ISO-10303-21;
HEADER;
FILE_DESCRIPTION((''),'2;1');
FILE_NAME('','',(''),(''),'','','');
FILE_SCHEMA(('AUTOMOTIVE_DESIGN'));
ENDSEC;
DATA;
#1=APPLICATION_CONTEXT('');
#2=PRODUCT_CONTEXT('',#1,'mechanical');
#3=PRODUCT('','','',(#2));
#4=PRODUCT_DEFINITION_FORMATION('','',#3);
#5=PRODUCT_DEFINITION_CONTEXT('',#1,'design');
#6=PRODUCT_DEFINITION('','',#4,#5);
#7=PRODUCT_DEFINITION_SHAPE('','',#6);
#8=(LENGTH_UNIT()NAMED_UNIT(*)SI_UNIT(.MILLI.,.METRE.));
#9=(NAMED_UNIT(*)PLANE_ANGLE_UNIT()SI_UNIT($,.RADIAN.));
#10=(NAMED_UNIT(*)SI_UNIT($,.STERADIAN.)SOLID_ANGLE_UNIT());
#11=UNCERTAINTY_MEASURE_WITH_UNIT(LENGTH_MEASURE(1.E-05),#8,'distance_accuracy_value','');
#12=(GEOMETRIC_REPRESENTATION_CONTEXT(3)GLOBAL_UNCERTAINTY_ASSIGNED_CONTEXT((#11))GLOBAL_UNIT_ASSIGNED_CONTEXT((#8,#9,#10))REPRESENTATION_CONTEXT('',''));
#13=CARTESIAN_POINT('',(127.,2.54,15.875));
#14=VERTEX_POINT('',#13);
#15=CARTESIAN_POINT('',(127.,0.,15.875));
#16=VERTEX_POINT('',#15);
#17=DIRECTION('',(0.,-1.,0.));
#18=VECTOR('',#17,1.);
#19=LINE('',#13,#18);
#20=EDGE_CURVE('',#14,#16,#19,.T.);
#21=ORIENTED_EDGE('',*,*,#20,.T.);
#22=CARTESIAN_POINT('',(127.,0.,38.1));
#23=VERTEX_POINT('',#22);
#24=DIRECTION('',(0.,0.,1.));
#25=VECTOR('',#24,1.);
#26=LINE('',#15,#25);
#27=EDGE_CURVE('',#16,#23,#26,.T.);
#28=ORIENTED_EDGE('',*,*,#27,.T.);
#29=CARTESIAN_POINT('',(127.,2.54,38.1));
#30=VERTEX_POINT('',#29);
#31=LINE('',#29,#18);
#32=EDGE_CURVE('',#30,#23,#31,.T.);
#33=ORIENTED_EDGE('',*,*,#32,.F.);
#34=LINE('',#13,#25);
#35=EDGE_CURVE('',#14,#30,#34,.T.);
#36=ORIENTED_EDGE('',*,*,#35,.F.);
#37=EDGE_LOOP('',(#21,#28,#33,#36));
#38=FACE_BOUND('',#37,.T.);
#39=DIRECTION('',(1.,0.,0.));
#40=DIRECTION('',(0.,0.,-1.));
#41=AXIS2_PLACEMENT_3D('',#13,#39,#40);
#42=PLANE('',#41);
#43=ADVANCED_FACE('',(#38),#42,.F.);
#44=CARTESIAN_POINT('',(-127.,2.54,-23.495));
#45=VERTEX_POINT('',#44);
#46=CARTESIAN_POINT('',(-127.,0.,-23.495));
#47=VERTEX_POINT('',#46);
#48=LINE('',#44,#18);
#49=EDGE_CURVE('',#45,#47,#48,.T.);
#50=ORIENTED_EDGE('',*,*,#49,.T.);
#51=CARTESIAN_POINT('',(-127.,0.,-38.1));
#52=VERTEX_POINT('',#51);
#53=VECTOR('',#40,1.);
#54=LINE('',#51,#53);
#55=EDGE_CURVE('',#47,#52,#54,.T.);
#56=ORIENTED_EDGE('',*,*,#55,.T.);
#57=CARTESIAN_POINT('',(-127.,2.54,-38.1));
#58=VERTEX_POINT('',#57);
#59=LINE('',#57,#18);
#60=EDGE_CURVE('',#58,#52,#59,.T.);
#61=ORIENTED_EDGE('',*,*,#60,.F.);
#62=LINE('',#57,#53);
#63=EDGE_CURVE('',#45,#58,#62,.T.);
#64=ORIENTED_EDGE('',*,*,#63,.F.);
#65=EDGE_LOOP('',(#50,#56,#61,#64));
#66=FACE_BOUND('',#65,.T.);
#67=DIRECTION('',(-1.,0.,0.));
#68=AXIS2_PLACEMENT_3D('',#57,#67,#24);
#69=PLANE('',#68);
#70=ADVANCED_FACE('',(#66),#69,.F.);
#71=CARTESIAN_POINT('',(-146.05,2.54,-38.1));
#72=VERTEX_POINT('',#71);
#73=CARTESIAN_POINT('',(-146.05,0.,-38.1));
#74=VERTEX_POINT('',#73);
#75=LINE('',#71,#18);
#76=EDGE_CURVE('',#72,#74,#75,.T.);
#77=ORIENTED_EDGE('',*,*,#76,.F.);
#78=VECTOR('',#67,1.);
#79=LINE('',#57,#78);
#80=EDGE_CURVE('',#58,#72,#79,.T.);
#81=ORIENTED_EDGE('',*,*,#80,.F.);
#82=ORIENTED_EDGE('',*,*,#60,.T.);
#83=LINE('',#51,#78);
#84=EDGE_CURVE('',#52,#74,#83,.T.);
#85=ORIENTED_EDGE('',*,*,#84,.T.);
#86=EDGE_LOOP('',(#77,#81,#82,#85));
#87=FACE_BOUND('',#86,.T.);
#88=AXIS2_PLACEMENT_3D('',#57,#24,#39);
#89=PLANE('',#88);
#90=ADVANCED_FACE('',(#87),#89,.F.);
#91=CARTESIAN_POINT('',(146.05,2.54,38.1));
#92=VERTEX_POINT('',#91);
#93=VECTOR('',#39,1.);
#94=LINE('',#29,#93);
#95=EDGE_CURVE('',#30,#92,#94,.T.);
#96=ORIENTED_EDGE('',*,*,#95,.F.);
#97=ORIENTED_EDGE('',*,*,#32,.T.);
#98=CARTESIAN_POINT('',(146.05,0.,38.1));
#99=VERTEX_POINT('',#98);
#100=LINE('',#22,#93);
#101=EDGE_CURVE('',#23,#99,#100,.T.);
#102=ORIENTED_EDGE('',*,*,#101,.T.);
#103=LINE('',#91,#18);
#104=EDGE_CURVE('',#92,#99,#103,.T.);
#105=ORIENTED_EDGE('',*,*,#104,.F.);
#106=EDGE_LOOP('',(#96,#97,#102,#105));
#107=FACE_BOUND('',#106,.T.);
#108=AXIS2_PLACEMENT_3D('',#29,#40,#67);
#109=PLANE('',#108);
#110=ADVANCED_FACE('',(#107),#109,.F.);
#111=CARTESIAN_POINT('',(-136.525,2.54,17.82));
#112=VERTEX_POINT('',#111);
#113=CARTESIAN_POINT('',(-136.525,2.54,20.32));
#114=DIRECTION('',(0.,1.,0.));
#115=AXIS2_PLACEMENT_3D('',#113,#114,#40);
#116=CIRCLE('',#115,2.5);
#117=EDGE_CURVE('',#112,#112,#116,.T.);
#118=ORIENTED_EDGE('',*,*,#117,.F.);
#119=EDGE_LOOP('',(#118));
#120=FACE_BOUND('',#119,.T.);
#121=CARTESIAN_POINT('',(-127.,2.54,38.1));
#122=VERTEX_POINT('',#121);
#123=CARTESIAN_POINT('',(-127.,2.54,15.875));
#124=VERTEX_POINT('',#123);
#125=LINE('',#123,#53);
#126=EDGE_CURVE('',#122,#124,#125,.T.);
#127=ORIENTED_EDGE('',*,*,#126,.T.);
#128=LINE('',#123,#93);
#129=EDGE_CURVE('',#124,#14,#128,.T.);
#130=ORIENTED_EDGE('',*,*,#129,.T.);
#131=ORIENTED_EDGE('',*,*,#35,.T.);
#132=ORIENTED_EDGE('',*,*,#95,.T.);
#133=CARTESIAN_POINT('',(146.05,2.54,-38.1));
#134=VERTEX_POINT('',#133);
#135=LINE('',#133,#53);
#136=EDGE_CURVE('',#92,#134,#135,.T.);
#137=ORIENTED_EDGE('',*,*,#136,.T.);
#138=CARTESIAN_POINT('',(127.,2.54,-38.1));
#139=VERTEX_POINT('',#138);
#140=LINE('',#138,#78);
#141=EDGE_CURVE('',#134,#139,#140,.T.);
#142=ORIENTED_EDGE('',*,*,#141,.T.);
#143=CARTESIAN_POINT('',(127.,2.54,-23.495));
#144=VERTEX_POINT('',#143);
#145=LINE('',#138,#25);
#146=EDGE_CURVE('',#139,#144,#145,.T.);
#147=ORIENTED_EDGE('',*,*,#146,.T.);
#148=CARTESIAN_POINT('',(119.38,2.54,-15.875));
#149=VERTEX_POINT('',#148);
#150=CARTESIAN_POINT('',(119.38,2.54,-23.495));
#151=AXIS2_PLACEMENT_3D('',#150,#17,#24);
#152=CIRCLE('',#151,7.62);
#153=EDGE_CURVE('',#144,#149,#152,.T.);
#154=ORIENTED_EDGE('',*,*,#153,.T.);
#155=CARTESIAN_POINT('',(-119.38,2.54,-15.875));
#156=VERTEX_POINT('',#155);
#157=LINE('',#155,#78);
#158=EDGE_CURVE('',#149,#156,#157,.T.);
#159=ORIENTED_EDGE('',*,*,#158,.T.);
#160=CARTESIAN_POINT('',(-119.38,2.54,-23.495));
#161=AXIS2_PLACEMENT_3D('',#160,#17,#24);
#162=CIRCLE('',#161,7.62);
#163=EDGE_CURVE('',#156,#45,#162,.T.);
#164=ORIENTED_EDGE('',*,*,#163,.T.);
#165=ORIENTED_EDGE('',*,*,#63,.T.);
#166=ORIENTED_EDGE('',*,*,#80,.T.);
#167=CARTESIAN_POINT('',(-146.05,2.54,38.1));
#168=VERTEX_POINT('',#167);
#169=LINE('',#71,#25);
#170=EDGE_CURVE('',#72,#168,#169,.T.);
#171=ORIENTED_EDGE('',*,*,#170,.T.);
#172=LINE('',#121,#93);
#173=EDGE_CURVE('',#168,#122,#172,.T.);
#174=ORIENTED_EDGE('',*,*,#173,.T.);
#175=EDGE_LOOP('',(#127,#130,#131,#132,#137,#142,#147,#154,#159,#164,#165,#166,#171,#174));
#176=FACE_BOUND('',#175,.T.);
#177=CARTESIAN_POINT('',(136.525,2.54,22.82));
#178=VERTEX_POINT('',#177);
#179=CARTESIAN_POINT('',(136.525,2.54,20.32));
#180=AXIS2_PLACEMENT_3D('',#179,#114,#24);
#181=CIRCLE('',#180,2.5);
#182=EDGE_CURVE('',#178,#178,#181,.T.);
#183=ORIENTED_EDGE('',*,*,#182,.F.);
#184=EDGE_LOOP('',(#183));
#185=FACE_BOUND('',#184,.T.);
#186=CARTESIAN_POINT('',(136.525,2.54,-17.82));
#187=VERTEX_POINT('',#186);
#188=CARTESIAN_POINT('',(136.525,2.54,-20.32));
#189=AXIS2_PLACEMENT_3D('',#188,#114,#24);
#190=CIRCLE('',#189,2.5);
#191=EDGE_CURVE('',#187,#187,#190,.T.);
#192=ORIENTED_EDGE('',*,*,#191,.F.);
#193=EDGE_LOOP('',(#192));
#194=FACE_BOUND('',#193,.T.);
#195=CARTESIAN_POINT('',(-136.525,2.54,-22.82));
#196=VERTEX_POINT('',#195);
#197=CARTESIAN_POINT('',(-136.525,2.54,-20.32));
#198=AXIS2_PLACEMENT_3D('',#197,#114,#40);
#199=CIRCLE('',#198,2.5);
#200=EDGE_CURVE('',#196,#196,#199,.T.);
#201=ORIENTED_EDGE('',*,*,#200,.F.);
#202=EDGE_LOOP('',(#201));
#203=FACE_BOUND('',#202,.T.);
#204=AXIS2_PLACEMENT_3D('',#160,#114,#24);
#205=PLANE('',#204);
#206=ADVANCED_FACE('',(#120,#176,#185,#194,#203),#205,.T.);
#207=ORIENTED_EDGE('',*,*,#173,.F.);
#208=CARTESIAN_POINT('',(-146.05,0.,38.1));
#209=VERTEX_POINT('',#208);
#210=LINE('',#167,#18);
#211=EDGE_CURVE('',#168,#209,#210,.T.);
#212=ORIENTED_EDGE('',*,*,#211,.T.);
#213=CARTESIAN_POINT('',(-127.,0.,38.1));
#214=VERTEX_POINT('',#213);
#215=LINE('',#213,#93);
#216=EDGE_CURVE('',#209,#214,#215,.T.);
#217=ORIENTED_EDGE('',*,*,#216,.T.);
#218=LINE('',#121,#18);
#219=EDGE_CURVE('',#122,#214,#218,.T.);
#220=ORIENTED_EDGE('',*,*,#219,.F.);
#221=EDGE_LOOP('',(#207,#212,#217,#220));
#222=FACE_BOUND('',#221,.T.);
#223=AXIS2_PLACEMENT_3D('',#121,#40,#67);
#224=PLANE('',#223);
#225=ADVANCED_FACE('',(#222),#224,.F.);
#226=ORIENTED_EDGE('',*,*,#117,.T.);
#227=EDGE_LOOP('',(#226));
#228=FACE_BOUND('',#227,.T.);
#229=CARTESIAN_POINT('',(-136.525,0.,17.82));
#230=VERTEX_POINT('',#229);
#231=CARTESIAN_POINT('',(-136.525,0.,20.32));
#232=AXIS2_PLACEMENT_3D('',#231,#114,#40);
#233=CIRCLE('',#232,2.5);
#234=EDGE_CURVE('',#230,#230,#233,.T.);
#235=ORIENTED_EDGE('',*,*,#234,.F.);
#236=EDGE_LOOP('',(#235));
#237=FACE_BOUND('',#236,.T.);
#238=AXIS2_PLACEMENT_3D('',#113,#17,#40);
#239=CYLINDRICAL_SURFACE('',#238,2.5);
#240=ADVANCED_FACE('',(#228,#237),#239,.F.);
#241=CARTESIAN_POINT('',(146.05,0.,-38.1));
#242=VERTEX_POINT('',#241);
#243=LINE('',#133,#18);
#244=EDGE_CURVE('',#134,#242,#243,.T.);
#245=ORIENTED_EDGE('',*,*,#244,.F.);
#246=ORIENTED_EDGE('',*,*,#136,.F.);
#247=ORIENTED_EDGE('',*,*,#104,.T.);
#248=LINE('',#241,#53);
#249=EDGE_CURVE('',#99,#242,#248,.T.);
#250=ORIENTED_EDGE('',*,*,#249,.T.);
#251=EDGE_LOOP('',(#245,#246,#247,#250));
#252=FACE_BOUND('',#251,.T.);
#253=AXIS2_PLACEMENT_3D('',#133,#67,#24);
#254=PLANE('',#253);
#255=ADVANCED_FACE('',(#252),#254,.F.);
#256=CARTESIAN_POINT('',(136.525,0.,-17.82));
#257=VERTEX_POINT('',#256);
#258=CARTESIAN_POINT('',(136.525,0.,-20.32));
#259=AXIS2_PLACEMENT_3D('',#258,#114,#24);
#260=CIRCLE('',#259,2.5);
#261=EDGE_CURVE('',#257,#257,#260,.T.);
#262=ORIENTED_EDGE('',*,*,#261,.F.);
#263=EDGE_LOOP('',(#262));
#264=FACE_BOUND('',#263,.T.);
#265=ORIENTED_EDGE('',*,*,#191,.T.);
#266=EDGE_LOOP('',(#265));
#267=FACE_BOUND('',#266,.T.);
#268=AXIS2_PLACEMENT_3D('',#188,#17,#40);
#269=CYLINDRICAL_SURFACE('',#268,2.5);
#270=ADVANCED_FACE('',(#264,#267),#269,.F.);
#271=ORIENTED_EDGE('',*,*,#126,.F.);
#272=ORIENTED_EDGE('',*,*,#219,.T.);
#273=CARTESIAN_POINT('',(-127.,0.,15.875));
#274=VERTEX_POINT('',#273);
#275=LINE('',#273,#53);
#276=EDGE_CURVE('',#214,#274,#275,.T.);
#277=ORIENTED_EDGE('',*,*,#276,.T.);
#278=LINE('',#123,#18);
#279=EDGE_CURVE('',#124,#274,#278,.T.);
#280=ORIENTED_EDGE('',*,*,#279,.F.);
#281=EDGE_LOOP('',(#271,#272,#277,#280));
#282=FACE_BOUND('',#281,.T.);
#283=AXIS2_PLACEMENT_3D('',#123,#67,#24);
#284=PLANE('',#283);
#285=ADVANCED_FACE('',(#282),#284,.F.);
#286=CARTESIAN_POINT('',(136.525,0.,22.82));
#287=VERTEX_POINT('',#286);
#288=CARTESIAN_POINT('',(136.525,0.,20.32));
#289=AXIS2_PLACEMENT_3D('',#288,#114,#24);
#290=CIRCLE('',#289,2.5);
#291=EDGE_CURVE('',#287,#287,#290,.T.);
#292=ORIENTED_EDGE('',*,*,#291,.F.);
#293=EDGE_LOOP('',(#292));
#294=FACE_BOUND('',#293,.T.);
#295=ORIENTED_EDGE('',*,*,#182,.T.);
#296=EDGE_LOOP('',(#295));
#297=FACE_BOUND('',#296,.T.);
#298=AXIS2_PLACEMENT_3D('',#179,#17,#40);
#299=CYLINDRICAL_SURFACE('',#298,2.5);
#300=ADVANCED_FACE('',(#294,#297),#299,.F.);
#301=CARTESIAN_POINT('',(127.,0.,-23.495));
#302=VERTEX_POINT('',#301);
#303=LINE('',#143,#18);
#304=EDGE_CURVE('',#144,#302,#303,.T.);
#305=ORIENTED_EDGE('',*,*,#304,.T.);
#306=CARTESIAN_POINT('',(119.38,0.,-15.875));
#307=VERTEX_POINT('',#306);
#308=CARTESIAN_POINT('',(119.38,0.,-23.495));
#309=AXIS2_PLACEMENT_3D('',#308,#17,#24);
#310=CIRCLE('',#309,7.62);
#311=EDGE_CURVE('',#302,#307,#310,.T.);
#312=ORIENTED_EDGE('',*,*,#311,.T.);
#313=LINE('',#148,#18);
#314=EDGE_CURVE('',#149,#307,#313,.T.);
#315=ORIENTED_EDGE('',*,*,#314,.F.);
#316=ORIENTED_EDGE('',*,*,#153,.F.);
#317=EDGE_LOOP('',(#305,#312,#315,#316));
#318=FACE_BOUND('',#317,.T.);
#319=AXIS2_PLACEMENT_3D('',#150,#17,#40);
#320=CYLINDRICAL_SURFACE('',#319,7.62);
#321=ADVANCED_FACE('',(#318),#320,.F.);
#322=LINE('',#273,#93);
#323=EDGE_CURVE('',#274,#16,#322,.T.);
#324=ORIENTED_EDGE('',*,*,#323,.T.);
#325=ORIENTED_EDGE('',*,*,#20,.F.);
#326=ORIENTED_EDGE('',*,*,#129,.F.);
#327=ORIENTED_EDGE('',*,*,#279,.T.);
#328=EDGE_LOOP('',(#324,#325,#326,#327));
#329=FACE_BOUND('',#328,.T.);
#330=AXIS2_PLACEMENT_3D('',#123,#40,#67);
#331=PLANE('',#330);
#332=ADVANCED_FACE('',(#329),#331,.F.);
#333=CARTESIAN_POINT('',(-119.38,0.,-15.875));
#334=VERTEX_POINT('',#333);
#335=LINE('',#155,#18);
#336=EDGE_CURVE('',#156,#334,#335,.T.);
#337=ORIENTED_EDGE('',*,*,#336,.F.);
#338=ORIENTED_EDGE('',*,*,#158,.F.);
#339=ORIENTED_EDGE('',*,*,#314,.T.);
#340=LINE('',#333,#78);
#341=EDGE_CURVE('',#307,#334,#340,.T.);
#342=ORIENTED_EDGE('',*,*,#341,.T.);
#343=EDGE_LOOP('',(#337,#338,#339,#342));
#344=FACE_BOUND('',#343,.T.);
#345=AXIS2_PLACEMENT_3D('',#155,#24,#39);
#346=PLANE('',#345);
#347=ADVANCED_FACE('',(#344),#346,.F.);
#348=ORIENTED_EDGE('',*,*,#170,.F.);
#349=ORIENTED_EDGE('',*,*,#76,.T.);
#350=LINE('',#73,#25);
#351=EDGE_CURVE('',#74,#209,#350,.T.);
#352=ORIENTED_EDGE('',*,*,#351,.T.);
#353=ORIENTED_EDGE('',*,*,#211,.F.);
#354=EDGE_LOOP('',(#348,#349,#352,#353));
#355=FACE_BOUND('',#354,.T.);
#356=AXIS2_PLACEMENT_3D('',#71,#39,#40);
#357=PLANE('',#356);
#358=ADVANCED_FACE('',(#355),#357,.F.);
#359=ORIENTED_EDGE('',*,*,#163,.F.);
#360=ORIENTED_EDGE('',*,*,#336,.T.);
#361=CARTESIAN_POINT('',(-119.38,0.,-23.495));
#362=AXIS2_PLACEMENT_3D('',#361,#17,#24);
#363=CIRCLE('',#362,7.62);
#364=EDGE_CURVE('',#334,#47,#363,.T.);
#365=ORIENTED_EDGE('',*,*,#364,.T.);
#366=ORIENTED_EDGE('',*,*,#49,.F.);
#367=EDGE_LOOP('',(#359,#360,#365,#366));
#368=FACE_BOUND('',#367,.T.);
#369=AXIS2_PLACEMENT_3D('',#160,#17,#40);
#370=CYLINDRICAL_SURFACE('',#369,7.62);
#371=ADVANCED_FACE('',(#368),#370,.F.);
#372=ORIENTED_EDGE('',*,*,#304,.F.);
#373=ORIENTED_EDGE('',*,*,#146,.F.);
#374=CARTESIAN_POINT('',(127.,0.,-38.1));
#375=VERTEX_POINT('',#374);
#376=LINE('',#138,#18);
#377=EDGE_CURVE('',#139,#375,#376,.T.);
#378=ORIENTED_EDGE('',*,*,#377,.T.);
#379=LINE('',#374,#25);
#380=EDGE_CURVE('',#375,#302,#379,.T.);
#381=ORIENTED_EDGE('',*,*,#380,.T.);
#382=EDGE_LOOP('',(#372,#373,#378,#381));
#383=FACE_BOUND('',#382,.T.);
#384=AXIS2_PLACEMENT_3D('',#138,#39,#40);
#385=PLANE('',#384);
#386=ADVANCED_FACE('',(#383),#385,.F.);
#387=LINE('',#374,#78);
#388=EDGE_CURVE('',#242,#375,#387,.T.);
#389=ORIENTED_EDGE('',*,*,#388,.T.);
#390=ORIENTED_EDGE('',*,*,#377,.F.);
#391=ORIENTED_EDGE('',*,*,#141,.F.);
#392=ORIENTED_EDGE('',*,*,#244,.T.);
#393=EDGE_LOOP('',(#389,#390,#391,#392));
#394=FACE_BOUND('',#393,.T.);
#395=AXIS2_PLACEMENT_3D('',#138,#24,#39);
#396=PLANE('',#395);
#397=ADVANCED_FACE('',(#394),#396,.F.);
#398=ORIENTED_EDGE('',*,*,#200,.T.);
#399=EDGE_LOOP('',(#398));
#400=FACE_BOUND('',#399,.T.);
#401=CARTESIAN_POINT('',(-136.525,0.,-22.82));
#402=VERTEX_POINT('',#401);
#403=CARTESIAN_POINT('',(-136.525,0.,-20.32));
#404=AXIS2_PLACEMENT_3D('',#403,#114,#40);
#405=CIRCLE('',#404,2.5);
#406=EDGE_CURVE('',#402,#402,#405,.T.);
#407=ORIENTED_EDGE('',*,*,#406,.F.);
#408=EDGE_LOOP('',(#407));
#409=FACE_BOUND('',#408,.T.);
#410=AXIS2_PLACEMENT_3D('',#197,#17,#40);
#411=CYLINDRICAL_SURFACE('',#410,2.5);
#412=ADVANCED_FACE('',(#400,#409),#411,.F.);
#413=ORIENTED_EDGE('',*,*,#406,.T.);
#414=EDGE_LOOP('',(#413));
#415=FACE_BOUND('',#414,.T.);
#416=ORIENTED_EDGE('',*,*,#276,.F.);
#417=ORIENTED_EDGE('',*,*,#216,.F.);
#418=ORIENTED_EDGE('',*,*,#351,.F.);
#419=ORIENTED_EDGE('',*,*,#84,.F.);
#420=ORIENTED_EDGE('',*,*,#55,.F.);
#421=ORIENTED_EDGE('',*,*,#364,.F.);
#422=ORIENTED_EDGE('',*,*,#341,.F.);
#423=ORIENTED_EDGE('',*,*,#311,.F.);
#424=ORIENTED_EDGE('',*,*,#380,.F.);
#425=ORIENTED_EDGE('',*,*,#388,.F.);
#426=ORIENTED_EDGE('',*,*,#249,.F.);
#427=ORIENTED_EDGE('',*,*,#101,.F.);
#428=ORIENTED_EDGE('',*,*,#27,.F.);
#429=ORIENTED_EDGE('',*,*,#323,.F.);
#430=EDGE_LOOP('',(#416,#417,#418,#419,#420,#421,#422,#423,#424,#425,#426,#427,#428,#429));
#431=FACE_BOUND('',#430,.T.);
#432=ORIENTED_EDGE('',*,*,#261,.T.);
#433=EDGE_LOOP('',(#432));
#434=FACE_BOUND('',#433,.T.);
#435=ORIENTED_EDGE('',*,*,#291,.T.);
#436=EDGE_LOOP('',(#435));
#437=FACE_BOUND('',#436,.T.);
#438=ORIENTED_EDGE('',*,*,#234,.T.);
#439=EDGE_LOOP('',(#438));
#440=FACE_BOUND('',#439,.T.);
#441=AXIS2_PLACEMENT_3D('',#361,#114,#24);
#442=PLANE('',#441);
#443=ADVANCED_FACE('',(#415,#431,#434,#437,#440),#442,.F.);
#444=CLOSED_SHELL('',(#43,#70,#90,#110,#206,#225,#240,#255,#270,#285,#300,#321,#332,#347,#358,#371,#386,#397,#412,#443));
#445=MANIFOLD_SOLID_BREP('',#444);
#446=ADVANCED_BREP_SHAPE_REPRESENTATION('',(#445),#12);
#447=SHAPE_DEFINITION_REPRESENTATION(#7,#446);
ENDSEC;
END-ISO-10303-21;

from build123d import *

# Parameters (mm, degrees)
SKETCH1_R           = 2.5
BOSS_EXTRUDE1_DEPTH = 2.54


with BuildPart() as part:
    # Sketch1 → Boss-Extrude1 (new body)
    with BuildSketch(Plane(origin=(0, 0, 0), x_dir=(1, 0, 0), z_dir=(0, 1, 0))):
        with BuildLine():
            Line((-127, 38.1), (-127, 23.495))
            ThreePointArc((-127, 23.495), (-124.768153673, 18.106846327), (-119.38, 15.875))
            Line((-119.38, 15.875), (119.38, 15.875))
            ThreePointArc((119.38, 15.875), (124.768153673, 18.106846327), (127, 23.495))
            Line((127, 23.495), (127, 38.1))
            Line((127, 38.1), (146.05, 38.1))
            Line((146.05, 38.1), (146.05, -38.1))
            Line((146.05, -38.1), (127, -38.1))
            Line((127, -38.1), (127, -15.875))
            Line((127, -15.875), (-127, -15.875))
            Line((-127, -15.875), (-127, -38.1))
            Line((-127, -38.1), (-146.05, -38.1))
            Line((-146.05, -38.1), (-146.05, 38.1))
            Line((-146.05, 38.1), (-127, 38.1))
        make_face()
        with Locations(Location((136.525, 20.32, 0), (0, 0, 270))):
            Circle(SKETCH1_R, mode=Mode.SUBTRACT)
        with Locations(Location((136.525, -20.32, 0), (0, 0, 270))):
            Circle(SKETCH1_R, mode=Mode.SUBTRACT)
        with Locations(Location((-136.525, 20.32, 0), (0, 0, 90))):
            Circle(SKETCH1_R, mode=Mode.SUBTRACT)
        with Locations(Location((-136.525, -20.32, 0), (0, 0, 90))):
            Circle(SKETCH1_R, mode=Mode.SUBTRACT)
    extrude(amount=BOSS_EXTRUDE1_DEPTH)


solid = part.part
